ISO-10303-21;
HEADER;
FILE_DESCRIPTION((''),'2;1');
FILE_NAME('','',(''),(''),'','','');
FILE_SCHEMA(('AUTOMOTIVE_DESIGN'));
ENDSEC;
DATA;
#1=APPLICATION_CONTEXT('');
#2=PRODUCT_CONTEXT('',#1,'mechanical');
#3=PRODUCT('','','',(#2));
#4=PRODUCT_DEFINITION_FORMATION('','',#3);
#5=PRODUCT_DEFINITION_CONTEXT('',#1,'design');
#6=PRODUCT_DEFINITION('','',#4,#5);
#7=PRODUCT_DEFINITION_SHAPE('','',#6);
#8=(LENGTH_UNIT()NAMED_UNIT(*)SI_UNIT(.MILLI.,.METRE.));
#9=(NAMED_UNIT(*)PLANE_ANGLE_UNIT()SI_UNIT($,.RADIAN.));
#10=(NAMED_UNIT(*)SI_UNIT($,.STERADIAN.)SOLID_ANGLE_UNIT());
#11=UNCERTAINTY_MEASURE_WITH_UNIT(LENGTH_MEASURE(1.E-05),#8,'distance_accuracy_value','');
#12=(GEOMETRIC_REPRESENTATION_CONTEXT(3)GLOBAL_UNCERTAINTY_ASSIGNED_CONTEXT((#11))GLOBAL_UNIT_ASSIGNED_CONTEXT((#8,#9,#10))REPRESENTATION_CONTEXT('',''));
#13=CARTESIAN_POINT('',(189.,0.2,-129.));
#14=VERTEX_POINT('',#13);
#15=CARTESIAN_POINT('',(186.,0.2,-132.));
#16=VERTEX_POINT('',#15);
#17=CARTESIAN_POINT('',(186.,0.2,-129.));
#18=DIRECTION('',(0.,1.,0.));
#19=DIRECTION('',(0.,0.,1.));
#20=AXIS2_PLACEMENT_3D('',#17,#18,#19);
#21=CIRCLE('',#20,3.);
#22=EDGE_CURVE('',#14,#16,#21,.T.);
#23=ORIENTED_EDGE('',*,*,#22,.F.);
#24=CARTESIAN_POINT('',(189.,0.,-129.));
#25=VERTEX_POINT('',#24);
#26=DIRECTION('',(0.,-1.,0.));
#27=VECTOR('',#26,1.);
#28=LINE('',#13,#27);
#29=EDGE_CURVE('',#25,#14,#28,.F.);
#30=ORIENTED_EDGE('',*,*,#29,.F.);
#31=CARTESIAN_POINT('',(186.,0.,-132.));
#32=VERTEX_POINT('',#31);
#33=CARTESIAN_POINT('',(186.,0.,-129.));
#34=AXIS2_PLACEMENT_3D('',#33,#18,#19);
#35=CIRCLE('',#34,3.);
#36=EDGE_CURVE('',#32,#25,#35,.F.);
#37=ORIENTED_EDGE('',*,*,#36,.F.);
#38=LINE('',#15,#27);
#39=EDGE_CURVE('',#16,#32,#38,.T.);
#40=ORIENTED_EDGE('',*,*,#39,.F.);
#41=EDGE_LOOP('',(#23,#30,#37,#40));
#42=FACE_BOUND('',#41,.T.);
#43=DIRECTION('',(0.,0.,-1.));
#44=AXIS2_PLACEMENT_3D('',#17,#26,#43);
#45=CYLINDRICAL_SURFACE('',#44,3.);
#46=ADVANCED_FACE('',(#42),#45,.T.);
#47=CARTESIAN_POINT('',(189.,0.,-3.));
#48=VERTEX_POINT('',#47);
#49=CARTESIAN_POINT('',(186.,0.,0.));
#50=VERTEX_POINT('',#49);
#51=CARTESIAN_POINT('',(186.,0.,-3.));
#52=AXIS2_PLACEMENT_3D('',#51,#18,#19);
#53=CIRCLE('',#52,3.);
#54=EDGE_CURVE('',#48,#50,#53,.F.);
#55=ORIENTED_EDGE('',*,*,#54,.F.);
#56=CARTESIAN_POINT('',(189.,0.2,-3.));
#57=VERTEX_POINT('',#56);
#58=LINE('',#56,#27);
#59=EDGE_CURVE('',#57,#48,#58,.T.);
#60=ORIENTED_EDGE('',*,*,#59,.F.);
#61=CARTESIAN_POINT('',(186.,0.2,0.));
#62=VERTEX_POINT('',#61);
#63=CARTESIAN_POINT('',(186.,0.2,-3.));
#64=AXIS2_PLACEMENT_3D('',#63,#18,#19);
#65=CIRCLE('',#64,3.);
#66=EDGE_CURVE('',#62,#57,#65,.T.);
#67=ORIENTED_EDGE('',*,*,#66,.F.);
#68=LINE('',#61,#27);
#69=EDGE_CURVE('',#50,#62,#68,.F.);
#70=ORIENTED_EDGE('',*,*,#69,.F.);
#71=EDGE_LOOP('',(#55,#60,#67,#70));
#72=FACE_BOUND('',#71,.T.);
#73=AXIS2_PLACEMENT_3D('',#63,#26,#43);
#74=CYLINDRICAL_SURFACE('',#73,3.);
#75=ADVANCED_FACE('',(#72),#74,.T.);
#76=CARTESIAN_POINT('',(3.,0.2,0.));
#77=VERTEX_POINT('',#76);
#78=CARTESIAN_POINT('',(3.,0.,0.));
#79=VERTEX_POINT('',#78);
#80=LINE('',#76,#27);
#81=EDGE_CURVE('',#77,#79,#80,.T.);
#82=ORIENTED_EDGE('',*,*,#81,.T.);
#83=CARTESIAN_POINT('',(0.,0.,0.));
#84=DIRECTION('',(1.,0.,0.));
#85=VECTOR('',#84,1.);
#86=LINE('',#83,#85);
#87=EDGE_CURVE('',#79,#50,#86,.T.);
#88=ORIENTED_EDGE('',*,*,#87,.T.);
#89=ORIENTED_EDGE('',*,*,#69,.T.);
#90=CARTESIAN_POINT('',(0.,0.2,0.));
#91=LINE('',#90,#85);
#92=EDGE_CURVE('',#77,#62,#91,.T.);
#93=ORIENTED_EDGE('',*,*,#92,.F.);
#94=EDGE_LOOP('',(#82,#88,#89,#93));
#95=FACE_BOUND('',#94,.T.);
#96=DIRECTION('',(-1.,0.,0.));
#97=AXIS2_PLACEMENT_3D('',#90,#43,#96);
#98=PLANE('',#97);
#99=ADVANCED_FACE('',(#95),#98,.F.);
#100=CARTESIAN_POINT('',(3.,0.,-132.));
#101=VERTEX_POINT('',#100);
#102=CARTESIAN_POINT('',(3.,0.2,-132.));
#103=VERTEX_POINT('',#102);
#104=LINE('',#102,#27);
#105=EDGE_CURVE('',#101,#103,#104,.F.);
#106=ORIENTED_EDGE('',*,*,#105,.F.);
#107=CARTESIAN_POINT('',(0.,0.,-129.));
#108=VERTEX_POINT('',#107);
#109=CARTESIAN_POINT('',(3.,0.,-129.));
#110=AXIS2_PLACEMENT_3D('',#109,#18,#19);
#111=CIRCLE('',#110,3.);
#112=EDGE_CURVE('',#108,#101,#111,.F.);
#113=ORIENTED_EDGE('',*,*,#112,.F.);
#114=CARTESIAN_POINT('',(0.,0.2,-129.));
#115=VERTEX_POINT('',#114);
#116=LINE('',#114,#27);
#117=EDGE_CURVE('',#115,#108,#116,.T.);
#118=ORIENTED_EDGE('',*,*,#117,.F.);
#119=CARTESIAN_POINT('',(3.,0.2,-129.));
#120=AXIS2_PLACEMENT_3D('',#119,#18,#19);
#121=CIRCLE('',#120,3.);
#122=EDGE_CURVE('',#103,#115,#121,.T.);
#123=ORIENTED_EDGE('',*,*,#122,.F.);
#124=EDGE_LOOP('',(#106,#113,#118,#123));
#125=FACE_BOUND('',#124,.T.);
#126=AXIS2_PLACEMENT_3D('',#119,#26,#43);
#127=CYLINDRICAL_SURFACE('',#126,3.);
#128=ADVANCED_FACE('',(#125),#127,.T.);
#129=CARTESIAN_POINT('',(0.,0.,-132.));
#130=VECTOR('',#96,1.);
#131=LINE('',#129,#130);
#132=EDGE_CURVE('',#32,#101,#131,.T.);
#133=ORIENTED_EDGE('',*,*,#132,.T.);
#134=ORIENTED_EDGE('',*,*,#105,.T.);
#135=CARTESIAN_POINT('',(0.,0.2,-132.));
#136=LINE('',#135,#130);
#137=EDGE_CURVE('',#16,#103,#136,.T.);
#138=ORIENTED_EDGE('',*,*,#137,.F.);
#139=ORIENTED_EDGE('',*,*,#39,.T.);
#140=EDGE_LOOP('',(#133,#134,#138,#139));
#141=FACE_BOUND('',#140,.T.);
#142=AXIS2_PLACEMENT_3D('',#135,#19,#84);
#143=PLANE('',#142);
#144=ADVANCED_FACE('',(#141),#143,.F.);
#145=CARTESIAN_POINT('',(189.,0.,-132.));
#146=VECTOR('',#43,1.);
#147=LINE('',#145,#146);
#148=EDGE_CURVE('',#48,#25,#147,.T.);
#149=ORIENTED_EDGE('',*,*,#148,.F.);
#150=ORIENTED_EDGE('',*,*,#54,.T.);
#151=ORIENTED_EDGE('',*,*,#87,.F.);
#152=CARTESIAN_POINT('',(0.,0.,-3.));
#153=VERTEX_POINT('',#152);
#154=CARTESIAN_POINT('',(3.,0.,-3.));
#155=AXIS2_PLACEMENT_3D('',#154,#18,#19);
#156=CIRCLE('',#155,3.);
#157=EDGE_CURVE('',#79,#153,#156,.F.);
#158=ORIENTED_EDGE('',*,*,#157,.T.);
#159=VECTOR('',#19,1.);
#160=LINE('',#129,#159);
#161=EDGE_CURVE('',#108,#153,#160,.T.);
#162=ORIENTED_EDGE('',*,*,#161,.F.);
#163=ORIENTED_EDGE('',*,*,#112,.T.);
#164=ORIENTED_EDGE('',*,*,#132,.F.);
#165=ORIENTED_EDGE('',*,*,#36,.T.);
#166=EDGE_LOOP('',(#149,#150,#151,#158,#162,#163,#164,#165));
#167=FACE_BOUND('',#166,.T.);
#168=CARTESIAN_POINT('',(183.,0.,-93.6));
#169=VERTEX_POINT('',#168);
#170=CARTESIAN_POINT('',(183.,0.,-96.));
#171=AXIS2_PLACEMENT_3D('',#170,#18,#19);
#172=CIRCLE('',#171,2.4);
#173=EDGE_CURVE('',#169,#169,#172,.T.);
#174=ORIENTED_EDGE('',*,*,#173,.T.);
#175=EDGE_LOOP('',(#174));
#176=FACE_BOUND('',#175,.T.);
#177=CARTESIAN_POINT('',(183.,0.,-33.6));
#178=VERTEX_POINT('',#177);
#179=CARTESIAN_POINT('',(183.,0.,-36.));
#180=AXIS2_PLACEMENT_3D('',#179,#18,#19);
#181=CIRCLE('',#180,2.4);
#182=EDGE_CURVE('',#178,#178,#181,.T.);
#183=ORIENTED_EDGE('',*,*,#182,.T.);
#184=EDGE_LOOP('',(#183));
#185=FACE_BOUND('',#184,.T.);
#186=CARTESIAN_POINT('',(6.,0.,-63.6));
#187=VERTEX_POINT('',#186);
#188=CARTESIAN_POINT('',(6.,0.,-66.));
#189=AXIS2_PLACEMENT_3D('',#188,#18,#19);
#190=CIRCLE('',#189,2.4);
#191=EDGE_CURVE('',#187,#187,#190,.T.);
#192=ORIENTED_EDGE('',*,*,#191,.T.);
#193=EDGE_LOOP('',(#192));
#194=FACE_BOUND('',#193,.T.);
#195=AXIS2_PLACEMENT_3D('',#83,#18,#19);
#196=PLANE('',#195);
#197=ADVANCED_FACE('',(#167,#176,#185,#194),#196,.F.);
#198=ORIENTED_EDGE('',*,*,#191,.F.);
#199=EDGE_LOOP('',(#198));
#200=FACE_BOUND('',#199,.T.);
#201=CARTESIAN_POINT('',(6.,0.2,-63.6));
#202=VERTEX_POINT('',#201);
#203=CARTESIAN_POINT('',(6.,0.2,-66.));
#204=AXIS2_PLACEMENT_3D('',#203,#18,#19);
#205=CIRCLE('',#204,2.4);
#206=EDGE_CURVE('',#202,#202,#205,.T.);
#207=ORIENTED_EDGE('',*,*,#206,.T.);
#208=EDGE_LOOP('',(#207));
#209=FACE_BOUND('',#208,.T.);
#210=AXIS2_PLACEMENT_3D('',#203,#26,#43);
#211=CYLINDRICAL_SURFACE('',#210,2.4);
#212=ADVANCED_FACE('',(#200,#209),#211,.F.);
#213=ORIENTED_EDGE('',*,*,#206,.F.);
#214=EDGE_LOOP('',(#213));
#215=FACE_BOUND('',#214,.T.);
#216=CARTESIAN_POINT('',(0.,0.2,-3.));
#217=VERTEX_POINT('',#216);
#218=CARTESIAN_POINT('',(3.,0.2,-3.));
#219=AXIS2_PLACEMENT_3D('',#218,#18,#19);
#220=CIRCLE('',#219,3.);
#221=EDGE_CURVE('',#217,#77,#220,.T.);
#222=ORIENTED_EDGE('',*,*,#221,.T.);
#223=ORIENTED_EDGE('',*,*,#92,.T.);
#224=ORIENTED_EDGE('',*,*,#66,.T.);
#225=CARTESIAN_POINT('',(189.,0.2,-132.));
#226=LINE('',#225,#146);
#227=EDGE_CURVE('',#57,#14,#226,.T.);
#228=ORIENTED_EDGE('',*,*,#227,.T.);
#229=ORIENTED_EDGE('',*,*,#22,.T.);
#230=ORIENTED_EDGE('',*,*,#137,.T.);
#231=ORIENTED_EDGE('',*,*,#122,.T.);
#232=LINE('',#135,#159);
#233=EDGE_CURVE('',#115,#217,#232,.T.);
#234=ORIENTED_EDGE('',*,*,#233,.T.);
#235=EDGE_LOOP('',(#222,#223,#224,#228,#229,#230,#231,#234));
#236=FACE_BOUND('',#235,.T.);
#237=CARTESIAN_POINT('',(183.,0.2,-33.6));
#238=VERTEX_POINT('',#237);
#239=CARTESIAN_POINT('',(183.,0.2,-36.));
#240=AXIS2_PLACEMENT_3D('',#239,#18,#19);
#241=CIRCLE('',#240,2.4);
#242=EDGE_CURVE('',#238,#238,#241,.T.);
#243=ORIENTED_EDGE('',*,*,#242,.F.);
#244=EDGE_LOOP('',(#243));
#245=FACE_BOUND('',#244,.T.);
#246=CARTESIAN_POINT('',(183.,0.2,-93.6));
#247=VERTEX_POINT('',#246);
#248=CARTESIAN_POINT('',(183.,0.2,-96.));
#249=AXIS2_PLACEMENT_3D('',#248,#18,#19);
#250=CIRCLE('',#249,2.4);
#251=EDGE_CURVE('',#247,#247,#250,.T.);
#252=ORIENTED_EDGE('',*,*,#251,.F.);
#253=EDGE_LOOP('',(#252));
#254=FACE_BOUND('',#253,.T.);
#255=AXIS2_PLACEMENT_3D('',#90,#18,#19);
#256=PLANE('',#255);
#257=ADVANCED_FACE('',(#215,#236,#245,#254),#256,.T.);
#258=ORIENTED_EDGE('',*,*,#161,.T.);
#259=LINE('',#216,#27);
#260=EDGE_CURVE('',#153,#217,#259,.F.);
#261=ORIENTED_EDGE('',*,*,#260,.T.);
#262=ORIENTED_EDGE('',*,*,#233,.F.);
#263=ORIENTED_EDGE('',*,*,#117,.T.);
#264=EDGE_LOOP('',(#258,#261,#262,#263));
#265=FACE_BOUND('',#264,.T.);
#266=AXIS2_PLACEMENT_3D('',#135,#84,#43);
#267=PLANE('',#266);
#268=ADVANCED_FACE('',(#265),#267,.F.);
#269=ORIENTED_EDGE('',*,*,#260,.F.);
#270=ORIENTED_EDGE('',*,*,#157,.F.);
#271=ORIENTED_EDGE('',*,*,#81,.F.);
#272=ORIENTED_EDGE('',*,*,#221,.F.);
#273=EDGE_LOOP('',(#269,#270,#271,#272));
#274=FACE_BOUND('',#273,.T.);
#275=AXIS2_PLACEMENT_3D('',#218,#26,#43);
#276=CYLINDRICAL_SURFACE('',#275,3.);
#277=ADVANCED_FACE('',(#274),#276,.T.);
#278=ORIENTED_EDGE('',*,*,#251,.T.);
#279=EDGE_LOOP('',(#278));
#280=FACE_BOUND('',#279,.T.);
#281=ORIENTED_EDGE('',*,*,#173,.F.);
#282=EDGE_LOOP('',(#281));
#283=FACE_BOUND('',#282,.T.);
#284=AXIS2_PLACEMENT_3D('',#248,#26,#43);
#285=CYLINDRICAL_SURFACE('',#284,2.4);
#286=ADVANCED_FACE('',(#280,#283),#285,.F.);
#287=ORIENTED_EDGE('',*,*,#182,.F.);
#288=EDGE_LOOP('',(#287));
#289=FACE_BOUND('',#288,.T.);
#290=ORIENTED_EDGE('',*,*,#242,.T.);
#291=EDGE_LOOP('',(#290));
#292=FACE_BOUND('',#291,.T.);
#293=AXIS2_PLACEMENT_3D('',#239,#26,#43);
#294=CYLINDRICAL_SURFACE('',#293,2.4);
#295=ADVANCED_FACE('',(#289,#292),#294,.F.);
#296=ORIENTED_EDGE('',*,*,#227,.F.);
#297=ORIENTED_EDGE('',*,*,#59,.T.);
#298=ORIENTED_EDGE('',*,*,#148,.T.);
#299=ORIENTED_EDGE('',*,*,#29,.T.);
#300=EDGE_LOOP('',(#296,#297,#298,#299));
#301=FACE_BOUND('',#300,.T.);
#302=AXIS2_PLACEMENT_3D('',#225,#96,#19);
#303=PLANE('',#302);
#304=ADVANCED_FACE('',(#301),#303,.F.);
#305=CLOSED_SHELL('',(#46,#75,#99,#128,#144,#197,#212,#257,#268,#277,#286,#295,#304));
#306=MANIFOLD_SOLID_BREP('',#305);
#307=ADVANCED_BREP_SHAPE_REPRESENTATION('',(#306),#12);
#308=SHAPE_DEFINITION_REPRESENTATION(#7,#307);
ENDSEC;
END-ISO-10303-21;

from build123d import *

# Parameters (mm, degrees)
SKETCH1_W           = 189
SKETCH1_H           = 132
SKETCH1_R           = 2.4
BOSS_EXTRUDE1_DEPTH = 0.2
FILLET1_R           = 3


with BuildPart() as part:
    # Sketch1 → Boss-Extrude1 (new body)
    with BuildSketch(Plane(origin=(0, 0, 0), x_dir=(1, 0, 0), z_dir=(0, 1, 0))):
        with Locations((94.5, 66)):
            Rectangle(SKETCH1_W, SKETCH1_H)
        with Locations(Location((6, 66, 0), (0, 0, 270))):
            Circle(SKETCH1_R, mode=Mode.SUBTRACT)
        with Locations(Location((183, 36, 0), (0, 0, 270))):
            Circle(SKETCH1_R, mode=Mode.SUBTRACT)
        with Locations(Location((183, 96, 0), (0, 0, 270))):
            Circle(SKETCH1_R, mode=Mode.SUBTRACT)
    extrude(amount=BOSS_EXTRUDE1_DEPTH)

    # Fillet1
    fillet1_edges = [part.edges().sort_by_distance(p)[0] for p in [
        (0, 0.1, -132),
        (189, 0.1, -132),
        (189, 0.1, 0),
        (0, 0.1, 0),
    ]]
    fillet(fillet1_edges, radius=FILLET1_R)


solid = part.part
